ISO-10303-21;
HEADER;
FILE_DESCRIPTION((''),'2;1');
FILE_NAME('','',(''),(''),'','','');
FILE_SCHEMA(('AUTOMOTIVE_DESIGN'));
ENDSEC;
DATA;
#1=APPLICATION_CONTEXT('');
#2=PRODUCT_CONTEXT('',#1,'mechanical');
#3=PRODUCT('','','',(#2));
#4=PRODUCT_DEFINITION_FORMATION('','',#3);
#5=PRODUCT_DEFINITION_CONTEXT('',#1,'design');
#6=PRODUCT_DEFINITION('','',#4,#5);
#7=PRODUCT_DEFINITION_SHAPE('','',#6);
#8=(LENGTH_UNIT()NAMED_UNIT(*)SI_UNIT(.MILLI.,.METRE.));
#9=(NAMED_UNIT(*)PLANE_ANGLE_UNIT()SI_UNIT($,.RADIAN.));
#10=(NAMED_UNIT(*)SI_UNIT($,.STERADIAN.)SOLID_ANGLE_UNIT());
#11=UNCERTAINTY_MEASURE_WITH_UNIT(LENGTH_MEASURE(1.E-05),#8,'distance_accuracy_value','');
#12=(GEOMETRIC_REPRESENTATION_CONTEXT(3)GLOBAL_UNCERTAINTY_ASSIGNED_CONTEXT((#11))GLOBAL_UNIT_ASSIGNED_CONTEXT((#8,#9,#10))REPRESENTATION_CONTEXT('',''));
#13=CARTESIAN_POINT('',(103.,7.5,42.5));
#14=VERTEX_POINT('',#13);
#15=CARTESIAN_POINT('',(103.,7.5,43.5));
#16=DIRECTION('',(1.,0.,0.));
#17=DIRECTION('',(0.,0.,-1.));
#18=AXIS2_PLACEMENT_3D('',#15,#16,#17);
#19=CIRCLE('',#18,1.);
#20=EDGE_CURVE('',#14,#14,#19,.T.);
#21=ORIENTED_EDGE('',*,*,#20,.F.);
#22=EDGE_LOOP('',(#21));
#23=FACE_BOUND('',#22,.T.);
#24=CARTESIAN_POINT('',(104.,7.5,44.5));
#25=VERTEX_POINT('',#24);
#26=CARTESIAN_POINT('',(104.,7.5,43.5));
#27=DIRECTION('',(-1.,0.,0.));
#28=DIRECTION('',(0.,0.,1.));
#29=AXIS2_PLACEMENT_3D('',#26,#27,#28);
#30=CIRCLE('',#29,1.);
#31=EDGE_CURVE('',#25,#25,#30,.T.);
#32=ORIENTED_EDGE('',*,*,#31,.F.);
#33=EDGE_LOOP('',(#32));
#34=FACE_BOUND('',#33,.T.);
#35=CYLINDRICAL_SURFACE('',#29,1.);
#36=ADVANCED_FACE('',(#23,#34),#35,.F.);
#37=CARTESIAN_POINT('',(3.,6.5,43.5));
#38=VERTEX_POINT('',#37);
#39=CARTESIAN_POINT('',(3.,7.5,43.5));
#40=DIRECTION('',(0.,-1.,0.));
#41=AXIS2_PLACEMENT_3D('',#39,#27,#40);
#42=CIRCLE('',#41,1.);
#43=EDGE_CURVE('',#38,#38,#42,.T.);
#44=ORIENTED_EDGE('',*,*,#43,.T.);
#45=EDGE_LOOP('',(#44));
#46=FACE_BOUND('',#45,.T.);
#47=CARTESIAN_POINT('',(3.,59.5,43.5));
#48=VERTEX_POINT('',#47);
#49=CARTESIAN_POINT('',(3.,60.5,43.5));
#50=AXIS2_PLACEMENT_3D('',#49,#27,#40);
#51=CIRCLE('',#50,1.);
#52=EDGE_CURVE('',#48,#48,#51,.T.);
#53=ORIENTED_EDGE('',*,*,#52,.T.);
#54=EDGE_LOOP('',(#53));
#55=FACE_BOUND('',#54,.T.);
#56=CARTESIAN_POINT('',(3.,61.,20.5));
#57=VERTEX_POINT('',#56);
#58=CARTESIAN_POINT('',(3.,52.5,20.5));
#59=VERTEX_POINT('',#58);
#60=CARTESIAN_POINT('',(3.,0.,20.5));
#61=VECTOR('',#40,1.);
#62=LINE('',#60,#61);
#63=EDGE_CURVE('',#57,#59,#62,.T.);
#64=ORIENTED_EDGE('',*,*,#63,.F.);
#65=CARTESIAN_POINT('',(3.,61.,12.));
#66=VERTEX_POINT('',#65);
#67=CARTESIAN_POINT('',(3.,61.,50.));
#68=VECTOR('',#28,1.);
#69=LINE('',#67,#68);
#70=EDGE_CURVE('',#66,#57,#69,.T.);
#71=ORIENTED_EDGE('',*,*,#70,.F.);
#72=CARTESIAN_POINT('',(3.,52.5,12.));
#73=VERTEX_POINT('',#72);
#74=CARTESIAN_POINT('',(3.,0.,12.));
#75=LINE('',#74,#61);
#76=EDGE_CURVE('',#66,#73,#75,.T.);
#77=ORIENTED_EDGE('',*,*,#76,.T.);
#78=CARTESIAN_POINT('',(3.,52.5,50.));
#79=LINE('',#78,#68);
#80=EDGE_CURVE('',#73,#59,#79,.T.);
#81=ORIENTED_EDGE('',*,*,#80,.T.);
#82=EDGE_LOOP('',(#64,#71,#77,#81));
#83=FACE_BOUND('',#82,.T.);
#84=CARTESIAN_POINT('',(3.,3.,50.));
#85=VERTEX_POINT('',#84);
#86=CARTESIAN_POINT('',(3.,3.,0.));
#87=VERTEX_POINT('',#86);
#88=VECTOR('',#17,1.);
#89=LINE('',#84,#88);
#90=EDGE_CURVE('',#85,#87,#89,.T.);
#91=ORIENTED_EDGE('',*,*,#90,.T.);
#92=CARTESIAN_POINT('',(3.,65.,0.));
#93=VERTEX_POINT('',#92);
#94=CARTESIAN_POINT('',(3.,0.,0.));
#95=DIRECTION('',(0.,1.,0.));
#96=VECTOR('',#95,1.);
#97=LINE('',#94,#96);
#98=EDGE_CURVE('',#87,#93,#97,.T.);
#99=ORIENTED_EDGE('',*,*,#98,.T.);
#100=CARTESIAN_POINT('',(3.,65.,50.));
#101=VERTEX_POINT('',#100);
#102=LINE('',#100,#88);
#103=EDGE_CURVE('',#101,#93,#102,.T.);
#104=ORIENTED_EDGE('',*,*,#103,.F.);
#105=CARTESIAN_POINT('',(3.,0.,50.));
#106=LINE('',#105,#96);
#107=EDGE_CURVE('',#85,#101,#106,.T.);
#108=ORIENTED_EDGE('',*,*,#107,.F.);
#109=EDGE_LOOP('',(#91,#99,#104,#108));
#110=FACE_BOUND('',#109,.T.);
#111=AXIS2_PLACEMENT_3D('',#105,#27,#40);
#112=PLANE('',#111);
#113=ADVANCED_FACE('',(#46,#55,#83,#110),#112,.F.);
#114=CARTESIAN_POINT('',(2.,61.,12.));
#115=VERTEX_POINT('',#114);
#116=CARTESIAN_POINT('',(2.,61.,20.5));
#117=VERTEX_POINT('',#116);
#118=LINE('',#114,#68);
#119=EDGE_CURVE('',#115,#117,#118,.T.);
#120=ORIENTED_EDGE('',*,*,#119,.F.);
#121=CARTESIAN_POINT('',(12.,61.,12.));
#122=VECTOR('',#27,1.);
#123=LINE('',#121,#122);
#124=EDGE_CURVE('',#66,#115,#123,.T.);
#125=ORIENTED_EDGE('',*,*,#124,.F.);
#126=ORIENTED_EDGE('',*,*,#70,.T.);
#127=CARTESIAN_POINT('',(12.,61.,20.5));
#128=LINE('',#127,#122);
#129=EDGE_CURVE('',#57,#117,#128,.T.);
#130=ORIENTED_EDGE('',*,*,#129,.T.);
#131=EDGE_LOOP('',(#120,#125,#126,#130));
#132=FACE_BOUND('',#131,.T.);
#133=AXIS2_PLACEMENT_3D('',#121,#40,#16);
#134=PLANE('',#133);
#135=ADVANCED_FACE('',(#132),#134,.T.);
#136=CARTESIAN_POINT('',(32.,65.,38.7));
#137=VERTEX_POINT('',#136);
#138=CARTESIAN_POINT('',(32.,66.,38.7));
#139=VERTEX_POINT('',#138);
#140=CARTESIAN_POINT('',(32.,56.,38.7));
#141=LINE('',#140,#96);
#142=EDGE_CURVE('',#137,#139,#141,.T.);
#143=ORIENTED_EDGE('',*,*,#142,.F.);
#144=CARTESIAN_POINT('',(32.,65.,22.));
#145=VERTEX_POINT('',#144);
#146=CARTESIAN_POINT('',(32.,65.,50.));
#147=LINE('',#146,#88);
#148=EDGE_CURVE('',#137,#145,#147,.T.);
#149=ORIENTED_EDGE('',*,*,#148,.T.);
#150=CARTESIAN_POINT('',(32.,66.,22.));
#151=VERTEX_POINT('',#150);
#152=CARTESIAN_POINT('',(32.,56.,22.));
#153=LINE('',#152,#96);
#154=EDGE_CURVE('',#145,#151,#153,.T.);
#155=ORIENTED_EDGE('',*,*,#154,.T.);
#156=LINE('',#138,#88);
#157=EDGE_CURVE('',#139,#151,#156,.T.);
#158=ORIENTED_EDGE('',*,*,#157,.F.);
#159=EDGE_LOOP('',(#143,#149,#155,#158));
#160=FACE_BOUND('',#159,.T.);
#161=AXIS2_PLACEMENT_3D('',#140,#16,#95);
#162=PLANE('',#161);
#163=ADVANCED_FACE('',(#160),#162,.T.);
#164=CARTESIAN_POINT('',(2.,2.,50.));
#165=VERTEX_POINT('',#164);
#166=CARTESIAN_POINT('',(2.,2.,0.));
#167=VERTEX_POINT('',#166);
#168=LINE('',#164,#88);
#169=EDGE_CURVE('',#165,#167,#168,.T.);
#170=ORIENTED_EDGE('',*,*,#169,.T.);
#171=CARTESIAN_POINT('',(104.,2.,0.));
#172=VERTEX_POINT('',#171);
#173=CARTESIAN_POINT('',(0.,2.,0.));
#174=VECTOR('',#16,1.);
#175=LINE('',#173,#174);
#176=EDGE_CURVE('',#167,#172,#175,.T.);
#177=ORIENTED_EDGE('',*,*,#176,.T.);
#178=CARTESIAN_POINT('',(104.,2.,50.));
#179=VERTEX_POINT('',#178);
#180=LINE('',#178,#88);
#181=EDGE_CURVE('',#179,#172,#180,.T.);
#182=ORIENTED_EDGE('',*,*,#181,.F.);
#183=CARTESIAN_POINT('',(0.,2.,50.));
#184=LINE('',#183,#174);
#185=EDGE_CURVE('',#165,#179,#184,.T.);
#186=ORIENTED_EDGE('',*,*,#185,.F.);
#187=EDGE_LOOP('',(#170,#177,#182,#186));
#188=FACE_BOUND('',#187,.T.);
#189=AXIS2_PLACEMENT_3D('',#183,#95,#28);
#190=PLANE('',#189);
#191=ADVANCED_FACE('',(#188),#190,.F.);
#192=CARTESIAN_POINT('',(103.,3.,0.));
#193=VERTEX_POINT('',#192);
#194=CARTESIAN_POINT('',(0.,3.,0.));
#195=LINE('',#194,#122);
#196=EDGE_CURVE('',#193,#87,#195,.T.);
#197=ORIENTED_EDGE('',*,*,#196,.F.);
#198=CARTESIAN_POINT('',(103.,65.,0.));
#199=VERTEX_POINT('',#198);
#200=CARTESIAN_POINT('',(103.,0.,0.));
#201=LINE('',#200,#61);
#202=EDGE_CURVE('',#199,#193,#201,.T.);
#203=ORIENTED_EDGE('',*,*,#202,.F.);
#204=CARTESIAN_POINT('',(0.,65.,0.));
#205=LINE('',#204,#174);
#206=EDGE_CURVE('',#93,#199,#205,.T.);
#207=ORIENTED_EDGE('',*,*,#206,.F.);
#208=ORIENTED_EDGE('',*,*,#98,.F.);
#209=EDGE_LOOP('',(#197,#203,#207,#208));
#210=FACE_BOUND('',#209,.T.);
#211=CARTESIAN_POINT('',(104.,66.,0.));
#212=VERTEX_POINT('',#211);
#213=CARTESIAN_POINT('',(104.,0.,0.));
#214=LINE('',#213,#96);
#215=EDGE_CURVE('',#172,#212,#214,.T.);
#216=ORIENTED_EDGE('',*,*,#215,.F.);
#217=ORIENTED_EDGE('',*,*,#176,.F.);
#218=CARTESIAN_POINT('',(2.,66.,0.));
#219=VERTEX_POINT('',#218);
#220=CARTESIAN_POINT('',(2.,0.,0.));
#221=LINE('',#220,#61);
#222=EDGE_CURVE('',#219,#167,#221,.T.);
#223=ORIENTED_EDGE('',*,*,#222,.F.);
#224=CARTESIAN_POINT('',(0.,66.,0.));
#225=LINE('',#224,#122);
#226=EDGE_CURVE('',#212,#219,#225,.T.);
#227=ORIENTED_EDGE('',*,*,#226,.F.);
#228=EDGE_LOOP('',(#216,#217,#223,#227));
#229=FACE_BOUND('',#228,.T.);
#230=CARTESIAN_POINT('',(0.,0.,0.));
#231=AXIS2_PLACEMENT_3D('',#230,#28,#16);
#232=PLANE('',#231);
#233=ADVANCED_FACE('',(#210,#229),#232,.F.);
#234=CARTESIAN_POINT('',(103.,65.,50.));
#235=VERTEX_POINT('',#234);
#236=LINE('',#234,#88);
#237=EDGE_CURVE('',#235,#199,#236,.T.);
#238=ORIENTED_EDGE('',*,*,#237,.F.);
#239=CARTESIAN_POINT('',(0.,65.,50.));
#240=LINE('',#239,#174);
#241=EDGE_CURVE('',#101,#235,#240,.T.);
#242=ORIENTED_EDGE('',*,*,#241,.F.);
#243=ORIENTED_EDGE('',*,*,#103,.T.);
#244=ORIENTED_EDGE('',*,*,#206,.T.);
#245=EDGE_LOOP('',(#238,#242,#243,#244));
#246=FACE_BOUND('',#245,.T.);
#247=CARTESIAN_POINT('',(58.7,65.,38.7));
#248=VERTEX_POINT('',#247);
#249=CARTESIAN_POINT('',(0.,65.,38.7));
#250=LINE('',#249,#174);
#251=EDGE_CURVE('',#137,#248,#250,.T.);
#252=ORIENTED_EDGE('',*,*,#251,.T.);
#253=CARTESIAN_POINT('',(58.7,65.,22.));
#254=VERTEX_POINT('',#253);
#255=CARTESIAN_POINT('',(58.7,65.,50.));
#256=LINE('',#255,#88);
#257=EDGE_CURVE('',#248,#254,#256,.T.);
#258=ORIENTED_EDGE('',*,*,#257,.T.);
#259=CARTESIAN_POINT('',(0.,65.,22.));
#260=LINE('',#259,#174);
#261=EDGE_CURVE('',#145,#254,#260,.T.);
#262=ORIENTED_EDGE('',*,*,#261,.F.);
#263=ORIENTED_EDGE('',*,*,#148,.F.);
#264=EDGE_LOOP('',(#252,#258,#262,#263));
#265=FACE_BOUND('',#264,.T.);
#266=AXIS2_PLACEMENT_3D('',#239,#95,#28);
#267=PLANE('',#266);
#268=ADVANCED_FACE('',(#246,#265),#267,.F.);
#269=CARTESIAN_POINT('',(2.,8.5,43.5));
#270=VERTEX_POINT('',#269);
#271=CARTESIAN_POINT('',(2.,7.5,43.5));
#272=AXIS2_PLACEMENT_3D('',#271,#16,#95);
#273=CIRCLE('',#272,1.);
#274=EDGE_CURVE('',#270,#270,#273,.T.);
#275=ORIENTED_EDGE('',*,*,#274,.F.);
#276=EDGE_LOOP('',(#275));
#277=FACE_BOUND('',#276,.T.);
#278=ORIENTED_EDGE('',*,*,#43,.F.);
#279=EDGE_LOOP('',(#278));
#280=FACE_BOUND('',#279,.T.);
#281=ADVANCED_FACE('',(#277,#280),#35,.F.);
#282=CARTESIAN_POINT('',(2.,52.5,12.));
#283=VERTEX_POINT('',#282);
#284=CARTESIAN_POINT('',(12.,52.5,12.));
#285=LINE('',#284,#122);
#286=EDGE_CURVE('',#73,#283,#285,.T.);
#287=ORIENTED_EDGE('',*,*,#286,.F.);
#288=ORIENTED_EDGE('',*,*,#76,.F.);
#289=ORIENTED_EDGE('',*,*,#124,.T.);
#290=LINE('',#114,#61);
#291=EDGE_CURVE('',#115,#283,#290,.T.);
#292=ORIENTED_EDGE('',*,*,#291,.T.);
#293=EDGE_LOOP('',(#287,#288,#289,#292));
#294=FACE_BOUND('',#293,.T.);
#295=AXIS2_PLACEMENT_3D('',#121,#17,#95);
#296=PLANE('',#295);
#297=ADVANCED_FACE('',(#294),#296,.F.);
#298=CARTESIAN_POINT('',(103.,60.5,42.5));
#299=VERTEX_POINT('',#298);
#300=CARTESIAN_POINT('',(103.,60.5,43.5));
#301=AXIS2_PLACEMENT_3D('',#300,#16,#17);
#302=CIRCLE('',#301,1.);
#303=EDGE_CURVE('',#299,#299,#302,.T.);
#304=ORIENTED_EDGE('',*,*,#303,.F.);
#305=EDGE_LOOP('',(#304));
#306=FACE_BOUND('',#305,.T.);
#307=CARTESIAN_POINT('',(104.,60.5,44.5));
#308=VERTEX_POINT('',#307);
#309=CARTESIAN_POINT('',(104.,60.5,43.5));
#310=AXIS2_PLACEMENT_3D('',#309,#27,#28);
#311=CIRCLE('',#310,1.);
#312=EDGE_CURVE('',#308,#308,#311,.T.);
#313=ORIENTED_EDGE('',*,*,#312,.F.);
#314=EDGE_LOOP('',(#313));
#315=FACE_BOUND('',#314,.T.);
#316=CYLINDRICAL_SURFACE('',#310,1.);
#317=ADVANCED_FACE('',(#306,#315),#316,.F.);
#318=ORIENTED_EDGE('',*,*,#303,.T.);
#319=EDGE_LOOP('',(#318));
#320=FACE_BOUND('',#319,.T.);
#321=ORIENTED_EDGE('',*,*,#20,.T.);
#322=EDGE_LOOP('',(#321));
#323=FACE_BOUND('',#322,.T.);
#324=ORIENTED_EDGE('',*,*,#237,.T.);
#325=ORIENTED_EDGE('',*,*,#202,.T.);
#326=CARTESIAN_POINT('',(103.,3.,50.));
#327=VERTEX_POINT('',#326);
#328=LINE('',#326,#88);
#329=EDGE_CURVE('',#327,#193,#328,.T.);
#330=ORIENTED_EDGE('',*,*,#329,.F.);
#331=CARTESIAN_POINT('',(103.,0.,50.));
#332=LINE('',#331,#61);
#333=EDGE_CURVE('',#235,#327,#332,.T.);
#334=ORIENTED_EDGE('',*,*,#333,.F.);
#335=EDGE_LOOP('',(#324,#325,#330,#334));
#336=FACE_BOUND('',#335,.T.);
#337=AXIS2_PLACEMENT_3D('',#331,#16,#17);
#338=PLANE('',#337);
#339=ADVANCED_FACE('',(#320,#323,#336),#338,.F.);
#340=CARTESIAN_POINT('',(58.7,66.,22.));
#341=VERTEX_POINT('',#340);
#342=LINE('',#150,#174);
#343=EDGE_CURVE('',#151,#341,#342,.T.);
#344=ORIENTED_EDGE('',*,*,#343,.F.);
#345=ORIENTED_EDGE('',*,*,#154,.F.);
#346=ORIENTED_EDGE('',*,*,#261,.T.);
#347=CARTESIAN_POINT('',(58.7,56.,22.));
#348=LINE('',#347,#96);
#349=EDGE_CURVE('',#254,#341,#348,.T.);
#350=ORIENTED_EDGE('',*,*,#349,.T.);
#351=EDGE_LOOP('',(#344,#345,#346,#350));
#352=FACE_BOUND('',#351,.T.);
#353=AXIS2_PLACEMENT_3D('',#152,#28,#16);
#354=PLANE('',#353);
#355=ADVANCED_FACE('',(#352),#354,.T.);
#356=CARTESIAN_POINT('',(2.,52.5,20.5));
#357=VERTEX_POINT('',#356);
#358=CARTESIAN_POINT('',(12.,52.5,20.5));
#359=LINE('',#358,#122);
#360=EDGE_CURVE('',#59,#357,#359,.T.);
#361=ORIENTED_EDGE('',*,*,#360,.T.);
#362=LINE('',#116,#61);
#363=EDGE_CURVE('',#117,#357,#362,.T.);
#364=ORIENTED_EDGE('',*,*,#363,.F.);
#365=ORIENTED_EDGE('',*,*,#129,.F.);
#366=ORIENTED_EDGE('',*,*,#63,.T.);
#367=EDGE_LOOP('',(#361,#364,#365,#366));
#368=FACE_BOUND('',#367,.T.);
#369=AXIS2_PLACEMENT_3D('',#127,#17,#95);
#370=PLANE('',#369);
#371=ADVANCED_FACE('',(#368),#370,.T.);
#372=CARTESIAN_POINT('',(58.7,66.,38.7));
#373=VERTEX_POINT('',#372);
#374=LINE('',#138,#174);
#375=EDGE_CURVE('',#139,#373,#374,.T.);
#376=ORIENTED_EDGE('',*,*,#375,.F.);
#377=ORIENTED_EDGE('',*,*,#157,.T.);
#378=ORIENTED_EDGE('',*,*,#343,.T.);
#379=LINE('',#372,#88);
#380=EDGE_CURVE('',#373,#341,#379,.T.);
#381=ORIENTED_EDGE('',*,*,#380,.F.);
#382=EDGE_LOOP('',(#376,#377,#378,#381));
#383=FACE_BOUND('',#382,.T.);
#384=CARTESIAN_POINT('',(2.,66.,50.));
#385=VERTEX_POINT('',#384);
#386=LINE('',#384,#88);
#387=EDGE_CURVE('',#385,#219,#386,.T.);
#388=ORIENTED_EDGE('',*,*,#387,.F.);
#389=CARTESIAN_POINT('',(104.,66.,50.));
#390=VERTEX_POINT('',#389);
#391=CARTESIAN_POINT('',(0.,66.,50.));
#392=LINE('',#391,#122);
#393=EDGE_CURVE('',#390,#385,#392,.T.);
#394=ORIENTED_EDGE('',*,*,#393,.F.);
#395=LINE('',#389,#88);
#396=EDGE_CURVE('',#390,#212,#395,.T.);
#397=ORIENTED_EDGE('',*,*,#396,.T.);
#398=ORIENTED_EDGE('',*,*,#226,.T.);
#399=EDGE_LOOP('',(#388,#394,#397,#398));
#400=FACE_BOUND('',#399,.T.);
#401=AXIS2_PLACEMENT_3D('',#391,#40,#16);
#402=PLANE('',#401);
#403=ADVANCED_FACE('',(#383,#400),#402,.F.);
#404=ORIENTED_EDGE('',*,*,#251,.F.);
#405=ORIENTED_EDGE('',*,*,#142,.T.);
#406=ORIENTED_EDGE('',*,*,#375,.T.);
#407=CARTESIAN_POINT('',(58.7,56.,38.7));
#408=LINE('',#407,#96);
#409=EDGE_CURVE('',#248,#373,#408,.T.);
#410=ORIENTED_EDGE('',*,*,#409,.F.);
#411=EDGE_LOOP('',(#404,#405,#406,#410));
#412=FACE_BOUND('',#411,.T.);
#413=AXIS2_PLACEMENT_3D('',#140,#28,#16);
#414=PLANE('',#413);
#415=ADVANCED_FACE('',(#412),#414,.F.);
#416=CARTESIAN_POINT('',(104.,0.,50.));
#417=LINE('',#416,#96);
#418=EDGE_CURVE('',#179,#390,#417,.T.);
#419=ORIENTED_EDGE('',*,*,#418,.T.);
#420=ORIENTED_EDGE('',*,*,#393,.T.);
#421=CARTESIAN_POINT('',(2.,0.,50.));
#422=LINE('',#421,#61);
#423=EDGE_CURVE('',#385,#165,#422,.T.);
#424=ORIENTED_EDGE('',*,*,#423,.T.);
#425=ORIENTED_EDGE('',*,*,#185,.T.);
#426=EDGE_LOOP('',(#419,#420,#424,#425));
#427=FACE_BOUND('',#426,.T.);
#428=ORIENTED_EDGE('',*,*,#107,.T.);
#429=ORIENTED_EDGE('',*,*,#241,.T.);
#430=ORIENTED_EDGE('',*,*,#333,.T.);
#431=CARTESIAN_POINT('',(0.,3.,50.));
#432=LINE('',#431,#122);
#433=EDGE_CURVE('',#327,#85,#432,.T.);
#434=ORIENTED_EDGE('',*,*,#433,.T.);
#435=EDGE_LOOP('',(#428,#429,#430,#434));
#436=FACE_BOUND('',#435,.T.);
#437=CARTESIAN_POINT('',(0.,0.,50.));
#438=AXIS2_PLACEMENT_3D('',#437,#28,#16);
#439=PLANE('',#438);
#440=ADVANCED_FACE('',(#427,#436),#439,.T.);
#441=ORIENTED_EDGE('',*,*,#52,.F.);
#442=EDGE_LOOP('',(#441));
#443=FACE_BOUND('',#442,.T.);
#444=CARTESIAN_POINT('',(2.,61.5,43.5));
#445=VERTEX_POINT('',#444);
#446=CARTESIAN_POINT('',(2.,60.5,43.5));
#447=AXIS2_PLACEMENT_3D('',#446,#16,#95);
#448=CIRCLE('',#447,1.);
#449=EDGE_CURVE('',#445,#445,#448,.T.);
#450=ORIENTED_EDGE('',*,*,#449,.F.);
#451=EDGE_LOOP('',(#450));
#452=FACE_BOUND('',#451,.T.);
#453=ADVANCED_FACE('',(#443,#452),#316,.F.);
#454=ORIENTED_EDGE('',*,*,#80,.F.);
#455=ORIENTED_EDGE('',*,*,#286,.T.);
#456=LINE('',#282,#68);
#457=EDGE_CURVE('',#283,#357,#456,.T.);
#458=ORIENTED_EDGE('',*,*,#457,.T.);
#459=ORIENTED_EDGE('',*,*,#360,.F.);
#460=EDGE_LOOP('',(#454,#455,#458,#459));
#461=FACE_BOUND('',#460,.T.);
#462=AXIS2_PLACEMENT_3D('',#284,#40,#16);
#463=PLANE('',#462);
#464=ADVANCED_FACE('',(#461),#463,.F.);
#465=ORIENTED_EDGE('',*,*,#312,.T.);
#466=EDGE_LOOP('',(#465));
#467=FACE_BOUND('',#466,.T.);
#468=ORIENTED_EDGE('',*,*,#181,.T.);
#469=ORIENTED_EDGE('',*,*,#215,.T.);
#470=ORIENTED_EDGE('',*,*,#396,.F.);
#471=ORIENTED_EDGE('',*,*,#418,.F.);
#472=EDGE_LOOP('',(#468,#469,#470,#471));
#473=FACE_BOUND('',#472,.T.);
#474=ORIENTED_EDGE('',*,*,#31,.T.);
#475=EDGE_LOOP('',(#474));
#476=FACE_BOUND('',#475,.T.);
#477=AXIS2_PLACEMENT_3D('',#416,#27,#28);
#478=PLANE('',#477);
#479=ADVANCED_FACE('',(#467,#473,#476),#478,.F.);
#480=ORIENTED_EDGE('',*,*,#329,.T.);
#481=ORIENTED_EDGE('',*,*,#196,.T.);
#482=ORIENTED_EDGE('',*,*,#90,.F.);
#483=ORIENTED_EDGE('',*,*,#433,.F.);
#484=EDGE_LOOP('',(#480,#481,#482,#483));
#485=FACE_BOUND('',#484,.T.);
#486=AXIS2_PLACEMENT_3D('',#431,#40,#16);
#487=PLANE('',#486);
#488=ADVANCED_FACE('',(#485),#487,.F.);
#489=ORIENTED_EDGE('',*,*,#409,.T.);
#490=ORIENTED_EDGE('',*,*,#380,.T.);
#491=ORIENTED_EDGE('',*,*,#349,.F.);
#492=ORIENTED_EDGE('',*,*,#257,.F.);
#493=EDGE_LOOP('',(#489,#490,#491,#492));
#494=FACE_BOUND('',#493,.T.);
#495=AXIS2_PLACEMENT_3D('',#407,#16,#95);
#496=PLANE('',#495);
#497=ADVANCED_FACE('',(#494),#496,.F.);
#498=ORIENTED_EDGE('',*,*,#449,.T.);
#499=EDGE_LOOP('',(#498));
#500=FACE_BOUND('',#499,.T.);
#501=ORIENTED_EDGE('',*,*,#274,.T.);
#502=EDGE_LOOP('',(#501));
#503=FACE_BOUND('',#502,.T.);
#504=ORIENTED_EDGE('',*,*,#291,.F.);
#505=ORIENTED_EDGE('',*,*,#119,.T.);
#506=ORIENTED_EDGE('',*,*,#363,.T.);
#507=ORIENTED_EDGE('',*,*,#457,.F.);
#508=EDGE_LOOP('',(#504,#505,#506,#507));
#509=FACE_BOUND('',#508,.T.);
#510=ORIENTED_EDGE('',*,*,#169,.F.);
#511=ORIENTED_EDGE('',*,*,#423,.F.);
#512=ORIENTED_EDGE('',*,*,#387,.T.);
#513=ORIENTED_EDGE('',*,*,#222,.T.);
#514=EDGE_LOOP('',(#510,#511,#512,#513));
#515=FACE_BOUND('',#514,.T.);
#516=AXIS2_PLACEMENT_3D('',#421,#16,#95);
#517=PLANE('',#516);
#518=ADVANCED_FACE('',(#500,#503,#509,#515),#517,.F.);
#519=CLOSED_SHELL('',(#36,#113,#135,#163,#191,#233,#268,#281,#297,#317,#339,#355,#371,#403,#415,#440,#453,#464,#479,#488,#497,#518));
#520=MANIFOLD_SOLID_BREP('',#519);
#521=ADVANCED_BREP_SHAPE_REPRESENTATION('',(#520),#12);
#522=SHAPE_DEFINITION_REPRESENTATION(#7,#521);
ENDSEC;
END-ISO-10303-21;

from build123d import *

# Parameters (mm, degrees)
SKETCH_1_W               = 102
SKETCH_1_H               = 64
SKETCH_1_W_2             = 100
SKETCH_1_H_2             = 62
EXTRUDE_1_DEPTH          = 50
CUT_EXTRUDE_2_DEPTH      = 102
CUT_EXTRUDE_2_DEPTH_BACK = 1
SKETCH_5_R               = 1
SKETCH_7_W               = 8.5
SKETCH_7_H               = 8.5
CUT_EXTRUDE_4_DEPTH      = 10
SKETCH_8_W               = 26.7
SKETCH_8_H               = 16.7
CUT_EXTRUDE_5_DEPTH      = 10


with BuildPart() as part:
    # Эскиз1 → Бобышка-Вытянуть1 (new body)
    with BuildSketch(Plane.XY):
        with Locations((53, 34)):
            Rectangle(SKETCH_1_W, SKETCH_1_H)
        with Locations((53, 34)):
            Rectangle(SKETCH_1_W_2, SKETCH_1_H_2, mode=Mode.SUBTRACT)
    extrude(amount=EXTRUDE_1_DEPTH)

    # Эскиз5 → Вырез-Вытянуть2 (cut, two sides: drawn at the far end of the back side and taken through both)
    with BuildSketch(Plane.ZY.offset(-103).offset(-CUT_EXTRUDE_2_DEPTH_BACK)):
        with Locations((43.5, 7.5)):
            Circle(SKETCH_5_R)
        with Locations((43.5, 60.5)):
            Circle(SKETCH_5_R)
    extrude(amount=CUT_EXTRUDE_2_DEPTH + CUT_EXTRUDE_2_DEPTH_BACK, mode=Mode.SUBTRACT)

    # Эскиз7 → Вырез-Вытянуть4 (cut)
    with BuildSketch(Plane.ZY.offset(-2)):
        with Locations((16.25, 56.75)):
            Rectangle(SKETCH_7_W, SKETCH_7_H)
    extrude(amount=-CUT_EXTRUDE_4_DEPTH, mode=Mode.SUBTRACT)

    # Эскиз8 → Вырез-Вытянуть5 (cut)
    with BuildSketch(Plane(origin=(0, 66, 0), x_dir=(1, 0, 0), z_dir=(0, 1, 0))):
        with Locations((45.35, -30.35)):
            Rectangle(SKETCH_8_W, SKETCH_8_H)
    extrude(amount=-CUT_EXTRUDE_5_DEPTH, mode=Mode.SUBTRACT)


solid = part.part
